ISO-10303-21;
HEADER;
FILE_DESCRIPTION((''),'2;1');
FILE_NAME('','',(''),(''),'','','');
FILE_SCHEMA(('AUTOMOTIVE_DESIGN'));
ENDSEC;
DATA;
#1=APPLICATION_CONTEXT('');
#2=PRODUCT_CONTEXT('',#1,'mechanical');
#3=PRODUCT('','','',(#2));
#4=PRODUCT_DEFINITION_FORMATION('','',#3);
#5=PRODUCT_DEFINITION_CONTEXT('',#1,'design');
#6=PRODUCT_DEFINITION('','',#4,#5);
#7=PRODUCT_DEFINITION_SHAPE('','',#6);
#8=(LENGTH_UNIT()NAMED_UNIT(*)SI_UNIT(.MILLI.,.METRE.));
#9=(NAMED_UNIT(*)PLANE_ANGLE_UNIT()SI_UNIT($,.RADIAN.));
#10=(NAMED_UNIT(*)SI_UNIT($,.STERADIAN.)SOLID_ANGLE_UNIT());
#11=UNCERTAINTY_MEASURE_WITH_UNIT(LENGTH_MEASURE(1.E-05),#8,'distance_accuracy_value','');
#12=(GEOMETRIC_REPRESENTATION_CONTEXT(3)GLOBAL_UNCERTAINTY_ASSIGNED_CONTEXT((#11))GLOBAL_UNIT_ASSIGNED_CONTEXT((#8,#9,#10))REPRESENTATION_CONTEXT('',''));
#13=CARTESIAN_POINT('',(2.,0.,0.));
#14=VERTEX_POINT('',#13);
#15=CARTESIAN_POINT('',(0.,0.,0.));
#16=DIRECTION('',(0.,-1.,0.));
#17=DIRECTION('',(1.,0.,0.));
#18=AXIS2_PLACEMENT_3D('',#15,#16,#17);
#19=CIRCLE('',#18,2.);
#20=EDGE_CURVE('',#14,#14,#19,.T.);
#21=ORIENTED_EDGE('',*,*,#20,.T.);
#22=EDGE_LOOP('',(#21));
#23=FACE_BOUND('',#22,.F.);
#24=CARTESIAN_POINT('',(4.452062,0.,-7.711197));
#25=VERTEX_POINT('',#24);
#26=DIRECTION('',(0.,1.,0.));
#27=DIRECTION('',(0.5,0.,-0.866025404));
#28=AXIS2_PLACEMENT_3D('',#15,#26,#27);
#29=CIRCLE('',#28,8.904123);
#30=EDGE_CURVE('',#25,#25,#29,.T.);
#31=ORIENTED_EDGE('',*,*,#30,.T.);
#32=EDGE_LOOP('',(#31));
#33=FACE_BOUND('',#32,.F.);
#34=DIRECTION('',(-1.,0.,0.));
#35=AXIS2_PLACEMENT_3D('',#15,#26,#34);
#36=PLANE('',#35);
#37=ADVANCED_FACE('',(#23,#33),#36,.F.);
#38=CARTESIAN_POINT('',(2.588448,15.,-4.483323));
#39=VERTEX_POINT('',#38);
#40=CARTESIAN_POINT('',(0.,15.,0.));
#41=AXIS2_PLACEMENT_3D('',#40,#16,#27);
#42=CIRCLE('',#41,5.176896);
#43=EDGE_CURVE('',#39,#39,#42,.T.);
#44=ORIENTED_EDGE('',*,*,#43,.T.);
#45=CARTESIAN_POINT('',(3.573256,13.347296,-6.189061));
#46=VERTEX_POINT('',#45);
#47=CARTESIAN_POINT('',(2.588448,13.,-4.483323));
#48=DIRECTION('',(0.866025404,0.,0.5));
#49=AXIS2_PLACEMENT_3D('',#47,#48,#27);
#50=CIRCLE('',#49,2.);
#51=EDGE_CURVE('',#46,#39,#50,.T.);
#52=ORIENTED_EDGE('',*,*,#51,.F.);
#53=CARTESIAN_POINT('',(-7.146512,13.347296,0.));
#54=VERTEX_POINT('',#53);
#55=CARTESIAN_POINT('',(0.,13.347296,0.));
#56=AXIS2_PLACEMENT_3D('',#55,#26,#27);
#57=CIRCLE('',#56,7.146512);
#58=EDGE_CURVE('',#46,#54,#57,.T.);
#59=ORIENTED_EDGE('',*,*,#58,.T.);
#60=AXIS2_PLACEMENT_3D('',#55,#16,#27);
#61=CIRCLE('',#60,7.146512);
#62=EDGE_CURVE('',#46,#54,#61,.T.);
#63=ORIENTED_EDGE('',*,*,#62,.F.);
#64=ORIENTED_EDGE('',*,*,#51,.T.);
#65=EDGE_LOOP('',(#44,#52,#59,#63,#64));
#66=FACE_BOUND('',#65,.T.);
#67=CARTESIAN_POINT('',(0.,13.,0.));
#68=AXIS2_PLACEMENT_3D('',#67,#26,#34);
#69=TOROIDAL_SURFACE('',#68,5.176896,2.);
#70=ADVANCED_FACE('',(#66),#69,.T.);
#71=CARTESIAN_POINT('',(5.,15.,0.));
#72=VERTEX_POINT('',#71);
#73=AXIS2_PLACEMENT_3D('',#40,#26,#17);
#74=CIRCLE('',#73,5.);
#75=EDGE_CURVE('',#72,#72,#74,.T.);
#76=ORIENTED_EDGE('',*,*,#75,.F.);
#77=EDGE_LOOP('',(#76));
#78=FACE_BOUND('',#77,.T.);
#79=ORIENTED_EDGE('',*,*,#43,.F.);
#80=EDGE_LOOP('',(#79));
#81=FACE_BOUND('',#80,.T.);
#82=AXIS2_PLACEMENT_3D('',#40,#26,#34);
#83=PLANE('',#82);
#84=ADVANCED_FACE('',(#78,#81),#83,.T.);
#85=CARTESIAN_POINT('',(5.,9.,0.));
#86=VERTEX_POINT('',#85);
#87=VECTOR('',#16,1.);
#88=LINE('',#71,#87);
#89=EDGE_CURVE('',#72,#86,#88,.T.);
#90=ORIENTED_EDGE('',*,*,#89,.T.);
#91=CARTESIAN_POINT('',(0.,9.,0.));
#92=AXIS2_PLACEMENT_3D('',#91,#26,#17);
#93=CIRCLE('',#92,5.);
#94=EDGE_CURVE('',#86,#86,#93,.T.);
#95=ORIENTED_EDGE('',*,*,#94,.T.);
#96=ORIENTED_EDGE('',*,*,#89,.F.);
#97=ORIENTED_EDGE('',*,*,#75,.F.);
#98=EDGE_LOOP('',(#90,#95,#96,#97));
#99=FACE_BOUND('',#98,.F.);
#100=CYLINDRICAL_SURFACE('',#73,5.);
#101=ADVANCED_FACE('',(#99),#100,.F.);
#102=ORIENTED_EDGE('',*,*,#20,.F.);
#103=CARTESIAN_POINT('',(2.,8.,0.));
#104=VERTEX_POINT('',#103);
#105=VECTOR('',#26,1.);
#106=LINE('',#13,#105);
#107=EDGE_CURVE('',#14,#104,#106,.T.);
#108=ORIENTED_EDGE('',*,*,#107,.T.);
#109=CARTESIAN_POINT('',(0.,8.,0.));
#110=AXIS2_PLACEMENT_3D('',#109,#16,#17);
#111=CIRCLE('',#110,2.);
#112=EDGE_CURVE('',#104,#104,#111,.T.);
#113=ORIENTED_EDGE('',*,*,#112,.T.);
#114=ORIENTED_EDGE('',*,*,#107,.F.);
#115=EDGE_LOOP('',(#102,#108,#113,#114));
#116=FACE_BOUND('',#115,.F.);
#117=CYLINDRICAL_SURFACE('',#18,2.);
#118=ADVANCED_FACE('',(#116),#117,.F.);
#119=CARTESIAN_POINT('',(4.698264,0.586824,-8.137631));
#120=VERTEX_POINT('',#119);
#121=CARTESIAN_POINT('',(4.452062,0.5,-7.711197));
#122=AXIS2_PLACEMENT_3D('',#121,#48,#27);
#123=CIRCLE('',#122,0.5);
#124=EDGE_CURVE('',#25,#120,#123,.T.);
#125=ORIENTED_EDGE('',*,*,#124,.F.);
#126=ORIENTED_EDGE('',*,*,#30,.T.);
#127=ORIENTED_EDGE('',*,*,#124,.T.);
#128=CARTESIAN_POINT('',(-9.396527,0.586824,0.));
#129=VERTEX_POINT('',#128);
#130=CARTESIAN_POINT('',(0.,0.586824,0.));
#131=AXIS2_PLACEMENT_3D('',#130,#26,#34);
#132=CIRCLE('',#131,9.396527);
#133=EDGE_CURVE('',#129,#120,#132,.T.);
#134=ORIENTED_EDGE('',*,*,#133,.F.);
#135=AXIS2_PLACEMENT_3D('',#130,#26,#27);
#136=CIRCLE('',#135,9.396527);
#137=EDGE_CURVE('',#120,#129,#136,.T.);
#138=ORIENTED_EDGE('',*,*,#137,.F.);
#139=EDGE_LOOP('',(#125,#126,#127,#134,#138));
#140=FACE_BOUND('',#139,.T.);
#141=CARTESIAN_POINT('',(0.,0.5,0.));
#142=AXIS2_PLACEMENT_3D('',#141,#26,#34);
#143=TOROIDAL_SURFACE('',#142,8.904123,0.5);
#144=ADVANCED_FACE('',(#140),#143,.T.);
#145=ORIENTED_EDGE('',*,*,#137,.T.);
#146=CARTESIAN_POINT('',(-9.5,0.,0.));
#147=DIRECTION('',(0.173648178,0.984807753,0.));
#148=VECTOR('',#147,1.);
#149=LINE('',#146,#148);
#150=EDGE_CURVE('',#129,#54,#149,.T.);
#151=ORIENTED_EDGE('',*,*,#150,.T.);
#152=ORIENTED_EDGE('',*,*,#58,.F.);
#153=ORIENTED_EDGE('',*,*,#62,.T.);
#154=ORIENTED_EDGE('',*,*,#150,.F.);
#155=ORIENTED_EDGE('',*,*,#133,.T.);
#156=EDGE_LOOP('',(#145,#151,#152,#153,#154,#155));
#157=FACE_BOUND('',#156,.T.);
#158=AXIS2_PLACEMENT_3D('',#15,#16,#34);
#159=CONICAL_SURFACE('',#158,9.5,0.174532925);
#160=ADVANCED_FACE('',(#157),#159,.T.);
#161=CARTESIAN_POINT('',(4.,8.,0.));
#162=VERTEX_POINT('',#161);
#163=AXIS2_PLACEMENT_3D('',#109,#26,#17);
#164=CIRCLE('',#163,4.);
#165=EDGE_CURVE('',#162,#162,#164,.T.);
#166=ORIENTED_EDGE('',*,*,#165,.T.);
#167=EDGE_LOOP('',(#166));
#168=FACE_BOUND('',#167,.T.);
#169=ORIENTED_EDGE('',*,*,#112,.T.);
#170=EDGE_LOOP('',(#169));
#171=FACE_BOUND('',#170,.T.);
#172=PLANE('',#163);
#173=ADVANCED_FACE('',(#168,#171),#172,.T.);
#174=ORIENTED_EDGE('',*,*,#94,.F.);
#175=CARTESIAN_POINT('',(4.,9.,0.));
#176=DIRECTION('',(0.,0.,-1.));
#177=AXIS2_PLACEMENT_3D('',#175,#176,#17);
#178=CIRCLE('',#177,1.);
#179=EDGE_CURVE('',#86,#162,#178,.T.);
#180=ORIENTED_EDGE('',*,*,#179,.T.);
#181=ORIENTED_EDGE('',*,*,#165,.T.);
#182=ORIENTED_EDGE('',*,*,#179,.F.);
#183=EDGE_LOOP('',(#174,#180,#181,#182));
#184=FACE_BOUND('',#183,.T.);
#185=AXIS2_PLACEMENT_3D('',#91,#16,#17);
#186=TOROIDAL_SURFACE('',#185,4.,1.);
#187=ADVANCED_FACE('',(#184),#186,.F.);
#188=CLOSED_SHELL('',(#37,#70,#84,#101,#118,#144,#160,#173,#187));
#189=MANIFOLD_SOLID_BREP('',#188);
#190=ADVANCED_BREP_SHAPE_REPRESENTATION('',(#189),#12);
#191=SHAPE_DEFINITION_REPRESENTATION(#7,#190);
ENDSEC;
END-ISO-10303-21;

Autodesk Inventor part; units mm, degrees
ref_plane "YZ Plane" through (0, 0, 0) normal (1, 0, 0) x (0, 1, 0)
ref_plane "XZ Plane" through (0, 0, 0) normal (0, 1, 0) x (-1, 0, 0)
ref_plane "XY Plane" through (0, 0, 0) normal (0, 0, 1) x (1, 0, 0)
sketch "Sketch1" plane through (0, 0, 0) normal (0, 1, 0) x (-1, 0, 0)
  circle A0 centre (0, 0) radius 9.5
  dimension "d0" = 19
extrude "Extrusion1" add sketch "Sketch1" along normal blind 15 draft -10
fillet "Fillet1" radius 2 1 edges at (6.8551, 15, 0)
fillet "Fillet2" radius 0.5 1 edges at (9.5, 0, 0)
sketch "Sketch2" plane through (0, 0, 0) normal (0, -1, 0) x (1, 0, 0)
  circle A0 centre (0, 0) radius 2
  dimension "d5" = 4
extrude "Extrusion2" cut sketch "Sketch2" against normal blind 15
sketch "Sketch3" plane through (0, 15, 0) normal (0, 1, 0) x (1, 0, 0)
  circle A0 centre (0, 0) radius 5
  dimension "d8" = 10
extrude "Extrusion3" cut sketch "Sketch3" against normal blind 7
fillet "Fillet3" radius 1 1 edges at (-5, 8, 0)
properties part number "Patas_para_licuadora" material "Rubber"
